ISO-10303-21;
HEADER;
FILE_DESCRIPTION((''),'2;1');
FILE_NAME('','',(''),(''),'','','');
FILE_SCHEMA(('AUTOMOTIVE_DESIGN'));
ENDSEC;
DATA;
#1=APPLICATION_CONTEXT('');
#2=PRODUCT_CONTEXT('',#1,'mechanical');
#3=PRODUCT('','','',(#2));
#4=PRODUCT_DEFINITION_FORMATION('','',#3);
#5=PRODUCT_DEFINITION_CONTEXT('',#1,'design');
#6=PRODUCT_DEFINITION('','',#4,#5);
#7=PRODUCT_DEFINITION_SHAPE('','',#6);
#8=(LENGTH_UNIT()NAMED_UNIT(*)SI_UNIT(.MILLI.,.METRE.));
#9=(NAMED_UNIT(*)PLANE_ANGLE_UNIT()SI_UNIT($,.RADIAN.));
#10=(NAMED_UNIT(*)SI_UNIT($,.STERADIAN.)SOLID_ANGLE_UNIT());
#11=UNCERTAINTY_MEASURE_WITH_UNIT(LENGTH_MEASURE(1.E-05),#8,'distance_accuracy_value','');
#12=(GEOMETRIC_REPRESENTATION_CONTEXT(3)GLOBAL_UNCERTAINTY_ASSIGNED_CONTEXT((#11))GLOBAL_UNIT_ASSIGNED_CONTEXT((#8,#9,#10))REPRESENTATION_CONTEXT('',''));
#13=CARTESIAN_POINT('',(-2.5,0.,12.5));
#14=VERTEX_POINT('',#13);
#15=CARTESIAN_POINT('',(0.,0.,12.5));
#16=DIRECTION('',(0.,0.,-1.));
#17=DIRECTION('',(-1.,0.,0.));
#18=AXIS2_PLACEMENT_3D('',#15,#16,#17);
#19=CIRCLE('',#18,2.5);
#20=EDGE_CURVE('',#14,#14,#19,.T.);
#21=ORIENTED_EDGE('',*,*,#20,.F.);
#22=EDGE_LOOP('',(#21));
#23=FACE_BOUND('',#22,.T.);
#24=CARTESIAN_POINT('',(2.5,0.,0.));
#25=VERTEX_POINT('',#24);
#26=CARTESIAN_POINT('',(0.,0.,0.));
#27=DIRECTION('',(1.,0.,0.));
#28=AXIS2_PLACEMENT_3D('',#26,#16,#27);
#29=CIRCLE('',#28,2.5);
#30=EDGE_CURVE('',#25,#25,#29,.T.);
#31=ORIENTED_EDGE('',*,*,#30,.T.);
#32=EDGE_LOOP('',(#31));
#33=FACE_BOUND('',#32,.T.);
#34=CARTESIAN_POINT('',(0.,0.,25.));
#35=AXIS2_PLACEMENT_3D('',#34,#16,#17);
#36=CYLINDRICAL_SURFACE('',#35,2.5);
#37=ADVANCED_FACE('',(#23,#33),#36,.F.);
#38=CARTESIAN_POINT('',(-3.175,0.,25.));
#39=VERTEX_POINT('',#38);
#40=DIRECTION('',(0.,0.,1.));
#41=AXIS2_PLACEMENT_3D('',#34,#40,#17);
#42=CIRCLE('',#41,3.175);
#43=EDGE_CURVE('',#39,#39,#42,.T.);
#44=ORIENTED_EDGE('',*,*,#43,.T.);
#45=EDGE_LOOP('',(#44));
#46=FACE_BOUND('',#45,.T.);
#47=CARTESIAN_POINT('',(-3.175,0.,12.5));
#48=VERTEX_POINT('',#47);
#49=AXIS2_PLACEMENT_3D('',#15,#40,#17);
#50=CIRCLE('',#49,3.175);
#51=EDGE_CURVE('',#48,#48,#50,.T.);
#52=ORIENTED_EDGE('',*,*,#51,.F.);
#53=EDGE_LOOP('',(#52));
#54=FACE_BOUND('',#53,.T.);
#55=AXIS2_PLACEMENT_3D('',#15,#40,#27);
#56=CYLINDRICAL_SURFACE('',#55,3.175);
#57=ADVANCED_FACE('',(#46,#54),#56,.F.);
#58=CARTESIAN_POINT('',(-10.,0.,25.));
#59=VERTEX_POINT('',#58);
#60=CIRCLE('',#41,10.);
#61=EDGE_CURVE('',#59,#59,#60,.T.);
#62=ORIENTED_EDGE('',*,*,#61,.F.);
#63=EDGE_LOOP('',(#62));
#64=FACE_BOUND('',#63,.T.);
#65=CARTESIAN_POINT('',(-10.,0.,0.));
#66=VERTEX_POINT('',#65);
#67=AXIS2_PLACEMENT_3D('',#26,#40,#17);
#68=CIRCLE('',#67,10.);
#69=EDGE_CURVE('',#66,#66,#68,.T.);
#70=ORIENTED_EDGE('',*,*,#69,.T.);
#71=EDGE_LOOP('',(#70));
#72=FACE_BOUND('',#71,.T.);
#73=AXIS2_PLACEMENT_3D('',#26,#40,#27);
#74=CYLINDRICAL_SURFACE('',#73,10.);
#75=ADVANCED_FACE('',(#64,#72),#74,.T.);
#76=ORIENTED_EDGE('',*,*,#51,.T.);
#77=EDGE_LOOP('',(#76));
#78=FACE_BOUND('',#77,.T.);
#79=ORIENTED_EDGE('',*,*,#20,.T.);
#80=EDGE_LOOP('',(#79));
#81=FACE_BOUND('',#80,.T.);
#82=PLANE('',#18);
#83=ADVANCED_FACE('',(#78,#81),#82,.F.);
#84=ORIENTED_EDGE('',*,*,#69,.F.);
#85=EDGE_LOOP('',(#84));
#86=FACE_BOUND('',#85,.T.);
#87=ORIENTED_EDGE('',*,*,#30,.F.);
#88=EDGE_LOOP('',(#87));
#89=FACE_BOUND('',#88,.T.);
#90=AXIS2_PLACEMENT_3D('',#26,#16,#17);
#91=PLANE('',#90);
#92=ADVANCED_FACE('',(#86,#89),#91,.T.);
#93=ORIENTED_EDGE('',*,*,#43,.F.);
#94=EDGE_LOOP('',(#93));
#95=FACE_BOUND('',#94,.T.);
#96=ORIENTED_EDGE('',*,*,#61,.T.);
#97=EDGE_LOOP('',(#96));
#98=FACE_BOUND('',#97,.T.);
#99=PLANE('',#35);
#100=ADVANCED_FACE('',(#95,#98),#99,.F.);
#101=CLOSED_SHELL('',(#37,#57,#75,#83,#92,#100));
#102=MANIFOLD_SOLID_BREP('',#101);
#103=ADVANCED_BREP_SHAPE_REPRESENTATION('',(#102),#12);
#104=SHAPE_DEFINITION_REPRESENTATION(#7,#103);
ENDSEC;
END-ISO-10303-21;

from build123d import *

# Parameters (mm, degrees)
SKETCH1_R           = 10
BOSS_EXTRUDE1_DEPTH = 25
SKETCH2_R           = 3.175
CUT_EXTRUDE1_DEPTH  = 12.5
SKETCH3_R           = 2.5
CUT_EXTRUDE2_DEPTH  = 29.722813233


with BuildPart() as part:
    # Sketch1 → Boss-Extrude1 (new body)
    with BuildSketch(Plane.XY.offset(25)):
        Circle(SKETCH1_R)
    extrude(amount=-BOSS_EXTRUDE1_DEPTH)

    # Sketch2 → Cut-Extrude1 (cut)
    with BuildSketch(Plane.XY.offset(25)):
        Circle(SKETCH2_R)
    extrude(amount=-CUT_EXTRUDE1_DEPTH, mode=Mode.SUBTRACT)

    # Sketch3 → Cut-Extrude2 (cut, through all)
    with BuildSketch(Plane(origin=(0, 0, 0), x_dir=(-1, 0, 0), z_dir=(0, 0, -1))):
        Circle(SKETCH3_R)
    extrude(amount=-CUT_EXTRUDE2_DEPTH, mode=Mode.SUBTRACT)


solid = part.part
